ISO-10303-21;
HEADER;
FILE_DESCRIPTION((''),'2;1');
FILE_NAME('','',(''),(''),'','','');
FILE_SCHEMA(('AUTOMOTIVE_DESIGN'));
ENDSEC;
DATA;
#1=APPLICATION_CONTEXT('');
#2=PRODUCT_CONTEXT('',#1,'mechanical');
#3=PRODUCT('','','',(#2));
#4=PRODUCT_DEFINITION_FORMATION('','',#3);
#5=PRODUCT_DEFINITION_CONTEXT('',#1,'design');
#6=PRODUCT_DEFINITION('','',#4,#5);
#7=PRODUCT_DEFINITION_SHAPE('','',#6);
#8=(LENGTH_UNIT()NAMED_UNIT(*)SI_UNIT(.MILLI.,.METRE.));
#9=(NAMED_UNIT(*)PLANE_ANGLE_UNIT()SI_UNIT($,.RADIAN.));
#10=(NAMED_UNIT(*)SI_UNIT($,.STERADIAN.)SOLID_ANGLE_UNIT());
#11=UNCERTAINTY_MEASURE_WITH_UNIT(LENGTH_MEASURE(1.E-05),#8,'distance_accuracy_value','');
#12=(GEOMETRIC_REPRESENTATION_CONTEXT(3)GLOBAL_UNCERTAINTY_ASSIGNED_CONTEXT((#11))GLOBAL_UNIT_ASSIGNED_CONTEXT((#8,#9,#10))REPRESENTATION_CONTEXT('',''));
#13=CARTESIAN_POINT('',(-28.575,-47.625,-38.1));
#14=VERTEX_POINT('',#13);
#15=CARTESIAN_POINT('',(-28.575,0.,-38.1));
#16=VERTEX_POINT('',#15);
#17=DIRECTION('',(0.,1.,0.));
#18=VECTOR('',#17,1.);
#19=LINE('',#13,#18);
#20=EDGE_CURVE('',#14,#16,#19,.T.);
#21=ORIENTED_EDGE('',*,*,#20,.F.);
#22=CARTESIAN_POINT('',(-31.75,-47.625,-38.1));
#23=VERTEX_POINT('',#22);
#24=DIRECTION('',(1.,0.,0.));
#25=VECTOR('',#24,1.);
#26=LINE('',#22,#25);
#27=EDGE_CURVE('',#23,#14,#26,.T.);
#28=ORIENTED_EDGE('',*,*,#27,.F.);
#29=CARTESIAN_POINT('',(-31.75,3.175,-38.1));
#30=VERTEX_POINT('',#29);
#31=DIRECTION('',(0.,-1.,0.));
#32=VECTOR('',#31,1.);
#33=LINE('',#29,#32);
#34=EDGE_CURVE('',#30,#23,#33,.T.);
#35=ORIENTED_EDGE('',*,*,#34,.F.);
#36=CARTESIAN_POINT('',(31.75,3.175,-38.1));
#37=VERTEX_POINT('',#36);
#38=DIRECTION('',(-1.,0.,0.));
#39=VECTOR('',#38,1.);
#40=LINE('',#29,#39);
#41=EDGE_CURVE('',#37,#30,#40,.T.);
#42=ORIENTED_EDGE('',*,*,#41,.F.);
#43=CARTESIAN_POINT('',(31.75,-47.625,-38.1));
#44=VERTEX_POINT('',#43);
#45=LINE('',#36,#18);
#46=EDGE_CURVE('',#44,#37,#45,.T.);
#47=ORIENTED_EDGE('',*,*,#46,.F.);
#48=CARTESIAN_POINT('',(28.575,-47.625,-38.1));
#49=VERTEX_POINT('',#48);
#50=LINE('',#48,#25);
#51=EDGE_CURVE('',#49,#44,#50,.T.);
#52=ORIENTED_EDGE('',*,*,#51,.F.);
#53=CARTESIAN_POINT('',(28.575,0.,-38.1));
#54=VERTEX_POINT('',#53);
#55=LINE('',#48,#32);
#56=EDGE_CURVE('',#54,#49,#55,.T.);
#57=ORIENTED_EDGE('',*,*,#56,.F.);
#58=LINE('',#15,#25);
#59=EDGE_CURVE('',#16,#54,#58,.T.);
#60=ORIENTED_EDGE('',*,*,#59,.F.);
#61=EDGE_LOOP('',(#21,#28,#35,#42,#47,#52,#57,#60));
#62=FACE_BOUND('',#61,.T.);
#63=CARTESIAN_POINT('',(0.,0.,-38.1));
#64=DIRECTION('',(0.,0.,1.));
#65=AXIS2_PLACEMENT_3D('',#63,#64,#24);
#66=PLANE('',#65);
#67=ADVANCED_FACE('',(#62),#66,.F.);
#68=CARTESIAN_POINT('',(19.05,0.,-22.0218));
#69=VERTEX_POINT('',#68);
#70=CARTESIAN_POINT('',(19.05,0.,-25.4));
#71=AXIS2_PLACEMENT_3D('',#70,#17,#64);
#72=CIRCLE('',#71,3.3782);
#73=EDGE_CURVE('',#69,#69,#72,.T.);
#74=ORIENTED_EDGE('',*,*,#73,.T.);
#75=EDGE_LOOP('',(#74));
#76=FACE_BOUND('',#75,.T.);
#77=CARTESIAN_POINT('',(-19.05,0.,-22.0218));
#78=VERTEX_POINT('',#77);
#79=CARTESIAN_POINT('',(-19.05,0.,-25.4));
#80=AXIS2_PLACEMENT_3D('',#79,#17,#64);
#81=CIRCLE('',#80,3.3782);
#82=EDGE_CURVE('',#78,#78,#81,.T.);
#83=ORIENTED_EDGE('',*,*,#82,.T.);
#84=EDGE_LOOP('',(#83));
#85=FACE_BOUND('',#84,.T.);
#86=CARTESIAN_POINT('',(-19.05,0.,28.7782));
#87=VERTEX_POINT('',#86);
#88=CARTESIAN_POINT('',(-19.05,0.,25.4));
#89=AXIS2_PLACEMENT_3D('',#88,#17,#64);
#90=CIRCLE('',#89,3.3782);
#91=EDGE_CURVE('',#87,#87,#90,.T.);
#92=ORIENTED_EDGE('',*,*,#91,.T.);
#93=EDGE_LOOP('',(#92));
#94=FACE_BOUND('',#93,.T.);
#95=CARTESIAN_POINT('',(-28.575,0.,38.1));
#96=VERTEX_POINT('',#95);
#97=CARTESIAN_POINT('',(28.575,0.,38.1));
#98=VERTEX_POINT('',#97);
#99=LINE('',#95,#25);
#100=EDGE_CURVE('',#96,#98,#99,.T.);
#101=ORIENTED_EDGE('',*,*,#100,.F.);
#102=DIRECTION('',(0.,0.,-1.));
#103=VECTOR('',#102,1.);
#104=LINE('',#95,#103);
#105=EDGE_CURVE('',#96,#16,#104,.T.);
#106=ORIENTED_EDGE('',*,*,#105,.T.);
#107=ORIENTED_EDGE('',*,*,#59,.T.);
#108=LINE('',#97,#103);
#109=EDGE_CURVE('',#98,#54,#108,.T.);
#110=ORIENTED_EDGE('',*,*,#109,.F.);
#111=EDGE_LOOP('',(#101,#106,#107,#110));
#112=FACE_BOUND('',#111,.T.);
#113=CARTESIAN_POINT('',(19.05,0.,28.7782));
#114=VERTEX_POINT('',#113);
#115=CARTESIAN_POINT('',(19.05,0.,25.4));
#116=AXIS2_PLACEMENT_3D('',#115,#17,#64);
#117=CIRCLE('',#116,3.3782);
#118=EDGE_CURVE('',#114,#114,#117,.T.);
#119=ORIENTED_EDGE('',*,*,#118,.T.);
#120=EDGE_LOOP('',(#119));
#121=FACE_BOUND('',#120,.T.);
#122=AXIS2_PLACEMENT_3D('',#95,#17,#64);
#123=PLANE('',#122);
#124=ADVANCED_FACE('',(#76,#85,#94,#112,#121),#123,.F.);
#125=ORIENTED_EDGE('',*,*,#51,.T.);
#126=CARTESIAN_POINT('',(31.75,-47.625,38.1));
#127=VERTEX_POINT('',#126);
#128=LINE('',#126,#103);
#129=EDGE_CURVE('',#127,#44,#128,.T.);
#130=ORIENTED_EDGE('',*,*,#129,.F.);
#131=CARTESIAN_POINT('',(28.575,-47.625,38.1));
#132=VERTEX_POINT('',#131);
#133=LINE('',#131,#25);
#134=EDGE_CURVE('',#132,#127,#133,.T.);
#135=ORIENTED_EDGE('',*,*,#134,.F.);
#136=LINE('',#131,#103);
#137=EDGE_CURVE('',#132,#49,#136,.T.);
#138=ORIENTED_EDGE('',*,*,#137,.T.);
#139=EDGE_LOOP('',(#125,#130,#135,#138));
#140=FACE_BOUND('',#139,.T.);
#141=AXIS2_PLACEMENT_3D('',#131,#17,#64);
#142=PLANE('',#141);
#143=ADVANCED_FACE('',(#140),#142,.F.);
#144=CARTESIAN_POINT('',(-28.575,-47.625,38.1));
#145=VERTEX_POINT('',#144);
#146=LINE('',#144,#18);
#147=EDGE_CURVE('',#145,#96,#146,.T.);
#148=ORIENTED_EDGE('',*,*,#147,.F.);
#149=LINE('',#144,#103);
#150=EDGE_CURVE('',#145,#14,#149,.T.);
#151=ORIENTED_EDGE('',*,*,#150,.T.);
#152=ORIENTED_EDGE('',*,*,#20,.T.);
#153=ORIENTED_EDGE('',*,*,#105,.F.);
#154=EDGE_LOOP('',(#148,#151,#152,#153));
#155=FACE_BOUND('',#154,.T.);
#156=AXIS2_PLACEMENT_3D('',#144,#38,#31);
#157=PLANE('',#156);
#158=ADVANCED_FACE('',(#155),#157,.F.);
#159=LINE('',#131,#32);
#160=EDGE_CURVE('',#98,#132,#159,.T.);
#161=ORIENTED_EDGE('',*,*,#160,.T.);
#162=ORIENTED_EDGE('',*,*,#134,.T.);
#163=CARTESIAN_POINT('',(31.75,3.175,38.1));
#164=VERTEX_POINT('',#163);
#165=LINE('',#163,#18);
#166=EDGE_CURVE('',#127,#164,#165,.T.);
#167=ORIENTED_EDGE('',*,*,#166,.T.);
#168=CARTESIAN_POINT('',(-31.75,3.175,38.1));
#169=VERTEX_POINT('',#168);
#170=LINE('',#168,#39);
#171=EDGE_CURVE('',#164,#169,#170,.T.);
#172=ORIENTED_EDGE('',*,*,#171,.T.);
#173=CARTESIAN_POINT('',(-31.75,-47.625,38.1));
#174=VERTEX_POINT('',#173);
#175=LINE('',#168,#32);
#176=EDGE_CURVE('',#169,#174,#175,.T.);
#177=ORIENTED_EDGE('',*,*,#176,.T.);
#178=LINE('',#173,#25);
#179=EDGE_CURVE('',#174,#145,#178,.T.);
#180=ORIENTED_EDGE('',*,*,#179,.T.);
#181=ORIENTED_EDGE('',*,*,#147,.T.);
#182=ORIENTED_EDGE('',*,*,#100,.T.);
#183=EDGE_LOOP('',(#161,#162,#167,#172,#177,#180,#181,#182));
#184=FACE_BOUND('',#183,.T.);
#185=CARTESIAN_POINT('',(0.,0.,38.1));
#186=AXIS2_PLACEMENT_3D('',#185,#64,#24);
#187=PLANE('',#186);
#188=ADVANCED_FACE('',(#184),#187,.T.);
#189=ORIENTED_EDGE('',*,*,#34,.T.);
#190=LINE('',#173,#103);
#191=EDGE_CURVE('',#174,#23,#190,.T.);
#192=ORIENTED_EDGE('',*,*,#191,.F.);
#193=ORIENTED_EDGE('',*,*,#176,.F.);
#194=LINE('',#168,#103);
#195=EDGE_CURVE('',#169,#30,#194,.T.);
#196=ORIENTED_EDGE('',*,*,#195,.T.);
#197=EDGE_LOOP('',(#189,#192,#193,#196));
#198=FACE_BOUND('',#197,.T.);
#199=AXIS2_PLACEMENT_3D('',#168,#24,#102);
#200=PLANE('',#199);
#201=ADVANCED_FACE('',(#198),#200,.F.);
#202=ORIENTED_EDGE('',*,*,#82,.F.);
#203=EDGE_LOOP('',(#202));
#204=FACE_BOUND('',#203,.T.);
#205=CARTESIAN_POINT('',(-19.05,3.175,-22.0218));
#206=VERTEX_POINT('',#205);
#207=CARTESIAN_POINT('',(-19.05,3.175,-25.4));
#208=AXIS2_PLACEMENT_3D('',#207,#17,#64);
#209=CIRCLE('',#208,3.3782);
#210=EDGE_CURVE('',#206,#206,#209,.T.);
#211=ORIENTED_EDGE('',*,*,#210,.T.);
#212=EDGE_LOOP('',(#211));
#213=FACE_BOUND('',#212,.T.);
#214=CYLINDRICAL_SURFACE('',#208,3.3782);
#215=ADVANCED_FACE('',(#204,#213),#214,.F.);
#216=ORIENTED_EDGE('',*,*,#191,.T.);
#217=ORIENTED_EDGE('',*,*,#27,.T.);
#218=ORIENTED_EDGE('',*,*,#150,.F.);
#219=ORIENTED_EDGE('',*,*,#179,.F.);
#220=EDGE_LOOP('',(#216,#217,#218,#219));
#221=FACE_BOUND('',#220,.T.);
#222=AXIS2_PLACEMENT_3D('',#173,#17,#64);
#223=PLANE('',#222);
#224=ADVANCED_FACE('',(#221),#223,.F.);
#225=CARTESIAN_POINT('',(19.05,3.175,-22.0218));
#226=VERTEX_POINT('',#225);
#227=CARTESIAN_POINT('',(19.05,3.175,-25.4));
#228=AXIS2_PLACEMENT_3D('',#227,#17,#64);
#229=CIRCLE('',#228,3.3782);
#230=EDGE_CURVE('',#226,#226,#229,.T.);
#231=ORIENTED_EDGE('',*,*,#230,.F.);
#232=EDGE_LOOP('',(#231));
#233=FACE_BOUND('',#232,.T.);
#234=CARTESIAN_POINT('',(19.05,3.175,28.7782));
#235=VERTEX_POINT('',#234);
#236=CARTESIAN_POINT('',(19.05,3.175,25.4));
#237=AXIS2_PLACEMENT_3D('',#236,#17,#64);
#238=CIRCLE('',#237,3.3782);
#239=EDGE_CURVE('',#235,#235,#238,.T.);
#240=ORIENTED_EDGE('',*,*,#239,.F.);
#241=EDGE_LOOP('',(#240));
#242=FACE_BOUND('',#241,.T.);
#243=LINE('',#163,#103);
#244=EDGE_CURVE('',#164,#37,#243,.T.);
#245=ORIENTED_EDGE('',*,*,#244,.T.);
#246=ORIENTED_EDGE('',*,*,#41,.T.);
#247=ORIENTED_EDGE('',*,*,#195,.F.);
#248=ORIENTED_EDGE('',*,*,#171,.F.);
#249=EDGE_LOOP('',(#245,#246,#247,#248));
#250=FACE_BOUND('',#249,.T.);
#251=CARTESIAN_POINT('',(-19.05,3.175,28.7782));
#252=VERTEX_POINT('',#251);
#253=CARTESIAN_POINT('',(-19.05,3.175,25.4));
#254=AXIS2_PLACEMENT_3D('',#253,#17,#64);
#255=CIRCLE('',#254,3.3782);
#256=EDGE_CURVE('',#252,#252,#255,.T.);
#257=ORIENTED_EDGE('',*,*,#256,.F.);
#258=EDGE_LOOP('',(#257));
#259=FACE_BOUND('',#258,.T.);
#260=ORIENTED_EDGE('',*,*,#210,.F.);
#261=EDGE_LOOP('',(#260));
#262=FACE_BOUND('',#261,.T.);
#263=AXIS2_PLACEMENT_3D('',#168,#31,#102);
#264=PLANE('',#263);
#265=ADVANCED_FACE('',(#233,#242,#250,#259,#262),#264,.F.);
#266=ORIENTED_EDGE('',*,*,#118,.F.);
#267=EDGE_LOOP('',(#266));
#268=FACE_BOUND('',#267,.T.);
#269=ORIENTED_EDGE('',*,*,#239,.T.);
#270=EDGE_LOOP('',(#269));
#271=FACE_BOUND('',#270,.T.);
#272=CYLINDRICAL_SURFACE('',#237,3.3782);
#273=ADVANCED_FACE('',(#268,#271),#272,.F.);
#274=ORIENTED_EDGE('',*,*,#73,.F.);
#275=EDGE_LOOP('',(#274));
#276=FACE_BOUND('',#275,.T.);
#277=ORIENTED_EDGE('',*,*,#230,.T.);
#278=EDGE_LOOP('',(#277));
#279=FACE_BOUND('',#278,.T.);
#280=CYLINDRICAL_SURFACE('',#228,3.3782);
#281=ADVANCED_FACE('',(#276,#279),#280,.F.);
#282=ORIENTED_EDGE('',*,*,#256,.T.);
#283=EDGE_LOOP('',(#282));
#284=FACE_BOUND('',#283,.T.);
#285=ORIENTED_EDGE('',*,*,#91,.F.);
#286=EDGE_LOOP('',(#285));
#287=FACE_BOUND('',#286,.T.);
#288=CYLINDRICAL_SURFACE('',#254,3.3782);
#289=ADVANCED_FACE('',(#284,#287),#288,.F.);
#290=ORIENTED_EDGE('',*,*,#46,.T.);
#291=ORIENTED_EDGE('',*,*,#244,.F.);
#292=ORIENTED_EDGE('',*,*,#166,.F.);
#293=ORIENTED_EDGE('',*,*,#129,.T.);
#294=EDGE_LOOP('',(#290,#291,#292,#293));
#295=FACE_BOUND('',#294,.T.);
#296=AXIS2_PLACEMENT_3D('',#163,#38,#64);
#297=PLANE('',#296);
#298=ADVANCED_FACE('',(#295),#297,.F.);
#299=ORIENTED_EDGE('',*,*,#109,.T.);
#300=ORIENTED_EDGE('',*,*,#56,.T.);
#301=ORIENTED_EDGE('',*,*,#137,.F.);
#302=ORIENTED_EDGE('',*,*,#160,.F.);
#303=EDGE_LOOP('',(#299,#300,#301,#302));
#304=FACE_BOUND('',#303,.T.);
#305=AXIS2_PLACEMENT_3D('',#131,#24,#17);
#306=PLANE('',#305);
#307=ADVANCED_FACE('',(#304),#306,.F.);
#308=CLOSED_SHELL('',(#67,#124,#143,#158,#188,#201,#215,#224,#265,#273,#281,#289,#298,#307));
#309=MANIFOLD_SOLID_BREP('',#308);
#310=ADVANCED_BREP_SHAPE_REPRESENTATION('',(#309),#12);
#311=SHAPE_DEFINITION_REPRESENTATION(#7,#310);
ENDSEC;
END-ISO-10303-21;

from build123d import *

# Parameters (mm, degrees)
BOSS_EXTRUDE1_DEPTH     = 38.1
F_1_4_CLEARANCE_HOLE1_D = 6.7564


with BuildPart() as part:
    # Sketch1 → Boss-Extrude1 (new body, symmetric)
    with BuildSketch(Plane.XY):
        Polygon((28.575, -47.625), (31.75, -47.625), (31.75, 3.175), (-31.75, 3.175), (-31.75, -47.625), (-28.575, -47.625), (-28.575, 0), (28.575, 0), align=None)
    extrude(amount=BOSS_EXTRUDE1_DEPTH, both=True)

    # 1/4 Clearance Hole1 (through all)
    with Locations(Plane(origin=(0, 3.175, 0), x_dir=(1, 0, 0), z_dir=(0, 1, 0))):
        with Locations((-19.05, 25.4), (19.05, 25.4), (19.05, -25.4), (-19.05, -25.4)):
            Hole(F_1_4_CLEARANCE_HOLE1_D / 2)


solid = part.part
